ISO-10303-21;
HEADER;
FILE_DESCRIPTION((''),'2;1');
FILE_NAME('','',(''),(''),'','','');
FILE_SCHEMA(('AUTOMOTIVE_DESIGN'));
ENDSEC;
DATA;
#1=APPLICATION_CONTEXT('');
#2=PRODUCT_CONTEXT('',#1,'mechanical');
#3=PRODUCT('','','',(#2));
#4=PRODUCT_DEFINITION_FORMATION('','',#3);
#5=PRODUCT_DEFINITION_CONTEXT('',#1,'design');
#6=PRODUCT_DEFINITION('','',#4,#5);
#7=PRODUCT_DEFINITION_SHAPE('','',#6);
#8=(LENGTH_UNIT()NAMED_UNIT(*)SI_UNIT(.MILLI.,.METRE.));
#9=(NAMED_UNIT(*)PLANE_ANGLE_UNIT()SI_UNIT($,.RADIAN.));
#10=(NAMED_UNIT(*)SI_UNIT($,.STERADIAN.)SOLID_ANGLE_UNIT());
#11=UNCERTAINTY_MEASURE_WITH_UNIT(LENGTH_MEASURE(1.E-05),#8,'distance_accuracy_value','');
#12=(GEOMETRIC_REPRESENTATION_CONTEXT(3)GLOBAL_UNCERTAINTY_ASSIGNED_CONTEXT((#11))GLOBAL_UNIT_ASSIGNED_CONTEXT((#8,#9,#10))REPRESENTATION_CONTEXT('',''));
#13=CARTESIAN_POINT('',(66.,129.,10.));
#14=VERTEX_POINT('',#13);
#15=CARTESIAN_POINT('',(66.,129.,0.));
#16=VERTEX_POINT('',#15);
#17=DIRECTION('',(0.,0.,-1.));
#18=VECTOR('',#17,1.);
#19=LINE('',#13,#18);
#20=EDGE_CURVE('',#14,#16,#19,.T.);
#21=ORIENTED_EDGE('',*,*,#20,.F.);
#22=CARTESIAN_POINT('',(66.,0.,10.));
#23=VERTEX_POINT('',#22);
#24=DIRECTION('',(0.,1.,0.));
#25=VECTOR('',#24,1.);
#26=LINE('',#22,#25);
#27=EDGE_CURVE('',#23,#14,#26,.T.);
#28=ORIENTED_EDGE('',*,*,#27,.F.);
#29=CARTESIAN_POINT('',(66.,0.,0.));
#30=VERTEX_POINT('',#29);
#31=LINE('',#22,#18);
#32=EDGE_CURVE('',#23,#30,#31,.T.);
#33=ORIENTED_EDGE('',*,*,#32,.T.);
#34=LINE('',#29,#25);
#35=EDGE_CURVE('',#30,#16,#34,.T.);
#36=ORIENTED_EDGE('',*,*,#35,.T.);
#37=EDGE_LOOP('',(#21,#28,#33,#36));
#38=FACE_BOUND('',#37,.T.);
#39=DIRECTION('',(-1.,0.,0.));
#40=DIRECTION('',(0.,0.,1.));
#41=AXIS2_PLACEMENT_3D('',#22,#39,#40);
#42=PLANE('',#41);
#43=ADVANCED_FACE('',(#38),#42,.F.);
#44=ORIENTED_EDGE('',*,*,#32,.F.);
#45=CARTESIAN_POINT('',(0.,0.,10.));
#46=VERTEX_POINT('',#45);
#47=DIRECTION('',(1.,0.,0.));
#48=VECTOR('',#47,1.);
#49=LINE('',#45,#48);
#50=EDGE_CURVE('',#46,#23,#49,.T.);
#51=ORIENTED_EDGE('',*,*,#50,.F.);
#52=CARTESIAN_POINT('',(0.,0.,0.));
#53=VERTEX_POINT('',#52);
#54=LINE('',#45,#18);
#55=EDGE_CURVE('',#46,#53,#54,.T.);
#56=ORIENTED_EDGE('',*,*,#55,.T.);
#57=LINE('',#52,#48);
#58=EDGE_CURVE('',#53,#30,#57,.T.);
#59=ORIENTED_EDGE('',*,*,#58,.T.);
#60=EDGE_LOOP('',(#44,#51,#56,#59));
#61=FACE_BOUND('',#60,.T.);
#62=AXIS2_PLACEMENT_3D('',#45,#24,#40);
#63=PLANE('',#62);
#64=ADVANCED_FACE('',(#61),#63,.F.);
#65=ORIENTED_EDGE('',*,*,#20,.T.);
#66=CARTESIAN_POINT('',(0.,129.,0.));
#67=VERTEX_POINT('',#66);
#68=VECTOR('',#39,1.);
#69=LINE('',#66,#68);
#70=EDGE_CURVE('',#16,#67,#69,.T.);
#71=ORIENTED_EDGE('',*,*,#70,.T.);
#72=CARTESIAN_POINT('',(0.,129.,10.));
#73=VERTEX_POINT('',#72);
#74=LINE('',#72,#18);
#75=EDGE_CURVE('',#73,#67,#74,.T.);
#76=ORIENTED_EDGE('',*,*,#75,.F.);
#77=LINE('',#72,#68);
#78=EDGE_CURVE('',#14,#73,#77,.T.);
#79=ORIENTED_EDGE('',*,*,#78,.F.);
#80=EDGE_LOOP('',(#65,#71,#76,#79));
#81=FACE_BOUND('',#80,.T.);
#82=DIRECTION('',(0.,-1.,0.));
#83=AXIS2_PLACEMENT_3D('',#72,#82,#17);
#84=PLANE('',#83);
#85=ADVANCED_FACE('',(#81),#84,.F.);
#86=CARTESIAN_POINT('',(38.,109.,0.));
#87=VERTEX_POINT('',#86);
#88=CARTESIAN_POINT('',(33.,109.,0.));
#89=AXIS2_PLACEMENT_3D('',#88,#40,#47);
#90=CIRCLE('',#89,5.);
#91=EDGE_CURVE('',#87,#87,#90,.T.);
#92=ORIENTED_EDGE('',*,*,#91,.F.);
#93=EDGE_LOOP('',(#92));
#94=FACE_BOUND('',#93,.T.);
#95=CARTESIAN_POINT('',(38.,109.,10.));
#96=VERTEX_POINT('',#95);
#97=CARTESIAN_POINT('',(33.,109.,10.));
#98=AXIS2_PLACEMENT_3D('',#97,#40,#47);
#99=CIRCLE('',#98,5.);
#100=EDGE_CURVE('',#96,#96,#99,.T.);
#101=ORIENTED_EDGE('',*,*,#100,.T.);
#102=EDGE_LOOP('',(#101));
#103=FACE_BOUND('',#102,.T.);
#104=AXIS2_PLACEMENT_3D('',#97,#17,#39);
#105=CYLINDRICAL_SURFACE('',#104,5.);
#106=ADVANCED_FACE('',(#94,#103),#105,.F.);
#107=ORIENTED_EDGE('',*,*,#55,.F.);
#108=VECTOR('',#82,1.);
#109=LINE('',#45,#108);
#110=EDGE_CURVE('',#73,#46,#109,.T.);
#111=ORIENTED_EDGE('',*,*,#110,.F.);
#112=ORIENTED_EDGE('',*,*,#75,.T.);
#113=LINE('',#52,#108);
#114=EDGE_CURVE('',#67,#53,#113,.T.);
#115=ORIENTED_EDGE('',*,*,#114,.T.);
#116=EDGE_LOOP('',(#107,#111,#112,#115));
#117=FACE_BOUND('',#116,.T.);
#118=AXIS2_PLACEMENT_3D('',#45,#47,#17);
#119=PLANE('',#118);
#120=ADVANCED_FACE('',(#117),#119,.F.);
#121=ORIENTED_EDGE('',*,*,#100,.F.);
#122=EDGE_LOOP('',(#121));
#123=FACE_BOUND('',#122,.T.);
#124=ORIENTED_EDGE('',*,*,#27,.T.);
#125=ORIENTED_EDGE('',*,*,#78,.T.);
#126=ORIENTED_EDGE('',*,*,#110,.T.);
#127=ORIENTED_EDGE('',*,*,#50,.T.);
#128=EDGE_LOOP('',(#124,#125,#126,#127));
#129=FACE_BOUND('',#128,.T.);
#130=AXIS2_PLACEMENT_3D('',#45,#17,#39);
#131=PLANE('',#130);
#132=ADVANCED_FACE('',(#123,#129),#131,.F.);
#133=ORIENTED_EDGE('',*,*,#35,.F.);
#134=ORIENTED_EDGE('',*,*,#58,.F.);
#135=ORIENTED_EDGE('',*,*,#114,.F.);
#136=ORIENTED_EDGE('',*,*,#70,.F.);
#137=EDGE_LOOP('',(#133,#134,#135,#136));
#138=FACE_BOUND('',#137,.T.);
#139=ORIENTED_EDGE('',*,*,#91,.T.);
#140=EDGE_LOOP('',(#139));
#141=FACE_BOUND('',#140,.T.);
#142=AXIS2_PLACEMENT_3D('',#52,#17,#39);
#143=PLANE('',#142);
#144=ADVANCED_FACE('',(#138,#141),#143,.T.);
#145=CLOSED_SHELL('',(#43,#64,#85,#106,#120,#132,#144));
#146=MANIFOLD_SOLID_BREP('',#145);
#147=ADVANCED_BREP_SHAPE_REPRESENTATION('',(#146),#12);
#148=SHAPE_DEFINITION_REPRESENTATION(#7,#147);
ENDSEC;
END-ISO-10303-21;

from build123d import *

# Parameters (mm, degrees)
SKETCH_1_W      = 66
SKETCH_1_H      = 129
SKETCH_1_R      = 5
EXTRUDE_1_DEPTH = 10


with BuildPart() as part:
    # 草图1 → 凸台-拉伸1 (new body)
    with BuildSketch(Plane.XY):
        with Locations((33, 64.5)):
            Rectangle(SKETCH_1_W, SKETCH_1_H)
        with Locations((33, 109)):
            Circle(SKETCH_1_R, mode=Mode.SUBTRACT)
    extrude(amount=EXTRUDE_1_DEPTH)


solid = part.part
